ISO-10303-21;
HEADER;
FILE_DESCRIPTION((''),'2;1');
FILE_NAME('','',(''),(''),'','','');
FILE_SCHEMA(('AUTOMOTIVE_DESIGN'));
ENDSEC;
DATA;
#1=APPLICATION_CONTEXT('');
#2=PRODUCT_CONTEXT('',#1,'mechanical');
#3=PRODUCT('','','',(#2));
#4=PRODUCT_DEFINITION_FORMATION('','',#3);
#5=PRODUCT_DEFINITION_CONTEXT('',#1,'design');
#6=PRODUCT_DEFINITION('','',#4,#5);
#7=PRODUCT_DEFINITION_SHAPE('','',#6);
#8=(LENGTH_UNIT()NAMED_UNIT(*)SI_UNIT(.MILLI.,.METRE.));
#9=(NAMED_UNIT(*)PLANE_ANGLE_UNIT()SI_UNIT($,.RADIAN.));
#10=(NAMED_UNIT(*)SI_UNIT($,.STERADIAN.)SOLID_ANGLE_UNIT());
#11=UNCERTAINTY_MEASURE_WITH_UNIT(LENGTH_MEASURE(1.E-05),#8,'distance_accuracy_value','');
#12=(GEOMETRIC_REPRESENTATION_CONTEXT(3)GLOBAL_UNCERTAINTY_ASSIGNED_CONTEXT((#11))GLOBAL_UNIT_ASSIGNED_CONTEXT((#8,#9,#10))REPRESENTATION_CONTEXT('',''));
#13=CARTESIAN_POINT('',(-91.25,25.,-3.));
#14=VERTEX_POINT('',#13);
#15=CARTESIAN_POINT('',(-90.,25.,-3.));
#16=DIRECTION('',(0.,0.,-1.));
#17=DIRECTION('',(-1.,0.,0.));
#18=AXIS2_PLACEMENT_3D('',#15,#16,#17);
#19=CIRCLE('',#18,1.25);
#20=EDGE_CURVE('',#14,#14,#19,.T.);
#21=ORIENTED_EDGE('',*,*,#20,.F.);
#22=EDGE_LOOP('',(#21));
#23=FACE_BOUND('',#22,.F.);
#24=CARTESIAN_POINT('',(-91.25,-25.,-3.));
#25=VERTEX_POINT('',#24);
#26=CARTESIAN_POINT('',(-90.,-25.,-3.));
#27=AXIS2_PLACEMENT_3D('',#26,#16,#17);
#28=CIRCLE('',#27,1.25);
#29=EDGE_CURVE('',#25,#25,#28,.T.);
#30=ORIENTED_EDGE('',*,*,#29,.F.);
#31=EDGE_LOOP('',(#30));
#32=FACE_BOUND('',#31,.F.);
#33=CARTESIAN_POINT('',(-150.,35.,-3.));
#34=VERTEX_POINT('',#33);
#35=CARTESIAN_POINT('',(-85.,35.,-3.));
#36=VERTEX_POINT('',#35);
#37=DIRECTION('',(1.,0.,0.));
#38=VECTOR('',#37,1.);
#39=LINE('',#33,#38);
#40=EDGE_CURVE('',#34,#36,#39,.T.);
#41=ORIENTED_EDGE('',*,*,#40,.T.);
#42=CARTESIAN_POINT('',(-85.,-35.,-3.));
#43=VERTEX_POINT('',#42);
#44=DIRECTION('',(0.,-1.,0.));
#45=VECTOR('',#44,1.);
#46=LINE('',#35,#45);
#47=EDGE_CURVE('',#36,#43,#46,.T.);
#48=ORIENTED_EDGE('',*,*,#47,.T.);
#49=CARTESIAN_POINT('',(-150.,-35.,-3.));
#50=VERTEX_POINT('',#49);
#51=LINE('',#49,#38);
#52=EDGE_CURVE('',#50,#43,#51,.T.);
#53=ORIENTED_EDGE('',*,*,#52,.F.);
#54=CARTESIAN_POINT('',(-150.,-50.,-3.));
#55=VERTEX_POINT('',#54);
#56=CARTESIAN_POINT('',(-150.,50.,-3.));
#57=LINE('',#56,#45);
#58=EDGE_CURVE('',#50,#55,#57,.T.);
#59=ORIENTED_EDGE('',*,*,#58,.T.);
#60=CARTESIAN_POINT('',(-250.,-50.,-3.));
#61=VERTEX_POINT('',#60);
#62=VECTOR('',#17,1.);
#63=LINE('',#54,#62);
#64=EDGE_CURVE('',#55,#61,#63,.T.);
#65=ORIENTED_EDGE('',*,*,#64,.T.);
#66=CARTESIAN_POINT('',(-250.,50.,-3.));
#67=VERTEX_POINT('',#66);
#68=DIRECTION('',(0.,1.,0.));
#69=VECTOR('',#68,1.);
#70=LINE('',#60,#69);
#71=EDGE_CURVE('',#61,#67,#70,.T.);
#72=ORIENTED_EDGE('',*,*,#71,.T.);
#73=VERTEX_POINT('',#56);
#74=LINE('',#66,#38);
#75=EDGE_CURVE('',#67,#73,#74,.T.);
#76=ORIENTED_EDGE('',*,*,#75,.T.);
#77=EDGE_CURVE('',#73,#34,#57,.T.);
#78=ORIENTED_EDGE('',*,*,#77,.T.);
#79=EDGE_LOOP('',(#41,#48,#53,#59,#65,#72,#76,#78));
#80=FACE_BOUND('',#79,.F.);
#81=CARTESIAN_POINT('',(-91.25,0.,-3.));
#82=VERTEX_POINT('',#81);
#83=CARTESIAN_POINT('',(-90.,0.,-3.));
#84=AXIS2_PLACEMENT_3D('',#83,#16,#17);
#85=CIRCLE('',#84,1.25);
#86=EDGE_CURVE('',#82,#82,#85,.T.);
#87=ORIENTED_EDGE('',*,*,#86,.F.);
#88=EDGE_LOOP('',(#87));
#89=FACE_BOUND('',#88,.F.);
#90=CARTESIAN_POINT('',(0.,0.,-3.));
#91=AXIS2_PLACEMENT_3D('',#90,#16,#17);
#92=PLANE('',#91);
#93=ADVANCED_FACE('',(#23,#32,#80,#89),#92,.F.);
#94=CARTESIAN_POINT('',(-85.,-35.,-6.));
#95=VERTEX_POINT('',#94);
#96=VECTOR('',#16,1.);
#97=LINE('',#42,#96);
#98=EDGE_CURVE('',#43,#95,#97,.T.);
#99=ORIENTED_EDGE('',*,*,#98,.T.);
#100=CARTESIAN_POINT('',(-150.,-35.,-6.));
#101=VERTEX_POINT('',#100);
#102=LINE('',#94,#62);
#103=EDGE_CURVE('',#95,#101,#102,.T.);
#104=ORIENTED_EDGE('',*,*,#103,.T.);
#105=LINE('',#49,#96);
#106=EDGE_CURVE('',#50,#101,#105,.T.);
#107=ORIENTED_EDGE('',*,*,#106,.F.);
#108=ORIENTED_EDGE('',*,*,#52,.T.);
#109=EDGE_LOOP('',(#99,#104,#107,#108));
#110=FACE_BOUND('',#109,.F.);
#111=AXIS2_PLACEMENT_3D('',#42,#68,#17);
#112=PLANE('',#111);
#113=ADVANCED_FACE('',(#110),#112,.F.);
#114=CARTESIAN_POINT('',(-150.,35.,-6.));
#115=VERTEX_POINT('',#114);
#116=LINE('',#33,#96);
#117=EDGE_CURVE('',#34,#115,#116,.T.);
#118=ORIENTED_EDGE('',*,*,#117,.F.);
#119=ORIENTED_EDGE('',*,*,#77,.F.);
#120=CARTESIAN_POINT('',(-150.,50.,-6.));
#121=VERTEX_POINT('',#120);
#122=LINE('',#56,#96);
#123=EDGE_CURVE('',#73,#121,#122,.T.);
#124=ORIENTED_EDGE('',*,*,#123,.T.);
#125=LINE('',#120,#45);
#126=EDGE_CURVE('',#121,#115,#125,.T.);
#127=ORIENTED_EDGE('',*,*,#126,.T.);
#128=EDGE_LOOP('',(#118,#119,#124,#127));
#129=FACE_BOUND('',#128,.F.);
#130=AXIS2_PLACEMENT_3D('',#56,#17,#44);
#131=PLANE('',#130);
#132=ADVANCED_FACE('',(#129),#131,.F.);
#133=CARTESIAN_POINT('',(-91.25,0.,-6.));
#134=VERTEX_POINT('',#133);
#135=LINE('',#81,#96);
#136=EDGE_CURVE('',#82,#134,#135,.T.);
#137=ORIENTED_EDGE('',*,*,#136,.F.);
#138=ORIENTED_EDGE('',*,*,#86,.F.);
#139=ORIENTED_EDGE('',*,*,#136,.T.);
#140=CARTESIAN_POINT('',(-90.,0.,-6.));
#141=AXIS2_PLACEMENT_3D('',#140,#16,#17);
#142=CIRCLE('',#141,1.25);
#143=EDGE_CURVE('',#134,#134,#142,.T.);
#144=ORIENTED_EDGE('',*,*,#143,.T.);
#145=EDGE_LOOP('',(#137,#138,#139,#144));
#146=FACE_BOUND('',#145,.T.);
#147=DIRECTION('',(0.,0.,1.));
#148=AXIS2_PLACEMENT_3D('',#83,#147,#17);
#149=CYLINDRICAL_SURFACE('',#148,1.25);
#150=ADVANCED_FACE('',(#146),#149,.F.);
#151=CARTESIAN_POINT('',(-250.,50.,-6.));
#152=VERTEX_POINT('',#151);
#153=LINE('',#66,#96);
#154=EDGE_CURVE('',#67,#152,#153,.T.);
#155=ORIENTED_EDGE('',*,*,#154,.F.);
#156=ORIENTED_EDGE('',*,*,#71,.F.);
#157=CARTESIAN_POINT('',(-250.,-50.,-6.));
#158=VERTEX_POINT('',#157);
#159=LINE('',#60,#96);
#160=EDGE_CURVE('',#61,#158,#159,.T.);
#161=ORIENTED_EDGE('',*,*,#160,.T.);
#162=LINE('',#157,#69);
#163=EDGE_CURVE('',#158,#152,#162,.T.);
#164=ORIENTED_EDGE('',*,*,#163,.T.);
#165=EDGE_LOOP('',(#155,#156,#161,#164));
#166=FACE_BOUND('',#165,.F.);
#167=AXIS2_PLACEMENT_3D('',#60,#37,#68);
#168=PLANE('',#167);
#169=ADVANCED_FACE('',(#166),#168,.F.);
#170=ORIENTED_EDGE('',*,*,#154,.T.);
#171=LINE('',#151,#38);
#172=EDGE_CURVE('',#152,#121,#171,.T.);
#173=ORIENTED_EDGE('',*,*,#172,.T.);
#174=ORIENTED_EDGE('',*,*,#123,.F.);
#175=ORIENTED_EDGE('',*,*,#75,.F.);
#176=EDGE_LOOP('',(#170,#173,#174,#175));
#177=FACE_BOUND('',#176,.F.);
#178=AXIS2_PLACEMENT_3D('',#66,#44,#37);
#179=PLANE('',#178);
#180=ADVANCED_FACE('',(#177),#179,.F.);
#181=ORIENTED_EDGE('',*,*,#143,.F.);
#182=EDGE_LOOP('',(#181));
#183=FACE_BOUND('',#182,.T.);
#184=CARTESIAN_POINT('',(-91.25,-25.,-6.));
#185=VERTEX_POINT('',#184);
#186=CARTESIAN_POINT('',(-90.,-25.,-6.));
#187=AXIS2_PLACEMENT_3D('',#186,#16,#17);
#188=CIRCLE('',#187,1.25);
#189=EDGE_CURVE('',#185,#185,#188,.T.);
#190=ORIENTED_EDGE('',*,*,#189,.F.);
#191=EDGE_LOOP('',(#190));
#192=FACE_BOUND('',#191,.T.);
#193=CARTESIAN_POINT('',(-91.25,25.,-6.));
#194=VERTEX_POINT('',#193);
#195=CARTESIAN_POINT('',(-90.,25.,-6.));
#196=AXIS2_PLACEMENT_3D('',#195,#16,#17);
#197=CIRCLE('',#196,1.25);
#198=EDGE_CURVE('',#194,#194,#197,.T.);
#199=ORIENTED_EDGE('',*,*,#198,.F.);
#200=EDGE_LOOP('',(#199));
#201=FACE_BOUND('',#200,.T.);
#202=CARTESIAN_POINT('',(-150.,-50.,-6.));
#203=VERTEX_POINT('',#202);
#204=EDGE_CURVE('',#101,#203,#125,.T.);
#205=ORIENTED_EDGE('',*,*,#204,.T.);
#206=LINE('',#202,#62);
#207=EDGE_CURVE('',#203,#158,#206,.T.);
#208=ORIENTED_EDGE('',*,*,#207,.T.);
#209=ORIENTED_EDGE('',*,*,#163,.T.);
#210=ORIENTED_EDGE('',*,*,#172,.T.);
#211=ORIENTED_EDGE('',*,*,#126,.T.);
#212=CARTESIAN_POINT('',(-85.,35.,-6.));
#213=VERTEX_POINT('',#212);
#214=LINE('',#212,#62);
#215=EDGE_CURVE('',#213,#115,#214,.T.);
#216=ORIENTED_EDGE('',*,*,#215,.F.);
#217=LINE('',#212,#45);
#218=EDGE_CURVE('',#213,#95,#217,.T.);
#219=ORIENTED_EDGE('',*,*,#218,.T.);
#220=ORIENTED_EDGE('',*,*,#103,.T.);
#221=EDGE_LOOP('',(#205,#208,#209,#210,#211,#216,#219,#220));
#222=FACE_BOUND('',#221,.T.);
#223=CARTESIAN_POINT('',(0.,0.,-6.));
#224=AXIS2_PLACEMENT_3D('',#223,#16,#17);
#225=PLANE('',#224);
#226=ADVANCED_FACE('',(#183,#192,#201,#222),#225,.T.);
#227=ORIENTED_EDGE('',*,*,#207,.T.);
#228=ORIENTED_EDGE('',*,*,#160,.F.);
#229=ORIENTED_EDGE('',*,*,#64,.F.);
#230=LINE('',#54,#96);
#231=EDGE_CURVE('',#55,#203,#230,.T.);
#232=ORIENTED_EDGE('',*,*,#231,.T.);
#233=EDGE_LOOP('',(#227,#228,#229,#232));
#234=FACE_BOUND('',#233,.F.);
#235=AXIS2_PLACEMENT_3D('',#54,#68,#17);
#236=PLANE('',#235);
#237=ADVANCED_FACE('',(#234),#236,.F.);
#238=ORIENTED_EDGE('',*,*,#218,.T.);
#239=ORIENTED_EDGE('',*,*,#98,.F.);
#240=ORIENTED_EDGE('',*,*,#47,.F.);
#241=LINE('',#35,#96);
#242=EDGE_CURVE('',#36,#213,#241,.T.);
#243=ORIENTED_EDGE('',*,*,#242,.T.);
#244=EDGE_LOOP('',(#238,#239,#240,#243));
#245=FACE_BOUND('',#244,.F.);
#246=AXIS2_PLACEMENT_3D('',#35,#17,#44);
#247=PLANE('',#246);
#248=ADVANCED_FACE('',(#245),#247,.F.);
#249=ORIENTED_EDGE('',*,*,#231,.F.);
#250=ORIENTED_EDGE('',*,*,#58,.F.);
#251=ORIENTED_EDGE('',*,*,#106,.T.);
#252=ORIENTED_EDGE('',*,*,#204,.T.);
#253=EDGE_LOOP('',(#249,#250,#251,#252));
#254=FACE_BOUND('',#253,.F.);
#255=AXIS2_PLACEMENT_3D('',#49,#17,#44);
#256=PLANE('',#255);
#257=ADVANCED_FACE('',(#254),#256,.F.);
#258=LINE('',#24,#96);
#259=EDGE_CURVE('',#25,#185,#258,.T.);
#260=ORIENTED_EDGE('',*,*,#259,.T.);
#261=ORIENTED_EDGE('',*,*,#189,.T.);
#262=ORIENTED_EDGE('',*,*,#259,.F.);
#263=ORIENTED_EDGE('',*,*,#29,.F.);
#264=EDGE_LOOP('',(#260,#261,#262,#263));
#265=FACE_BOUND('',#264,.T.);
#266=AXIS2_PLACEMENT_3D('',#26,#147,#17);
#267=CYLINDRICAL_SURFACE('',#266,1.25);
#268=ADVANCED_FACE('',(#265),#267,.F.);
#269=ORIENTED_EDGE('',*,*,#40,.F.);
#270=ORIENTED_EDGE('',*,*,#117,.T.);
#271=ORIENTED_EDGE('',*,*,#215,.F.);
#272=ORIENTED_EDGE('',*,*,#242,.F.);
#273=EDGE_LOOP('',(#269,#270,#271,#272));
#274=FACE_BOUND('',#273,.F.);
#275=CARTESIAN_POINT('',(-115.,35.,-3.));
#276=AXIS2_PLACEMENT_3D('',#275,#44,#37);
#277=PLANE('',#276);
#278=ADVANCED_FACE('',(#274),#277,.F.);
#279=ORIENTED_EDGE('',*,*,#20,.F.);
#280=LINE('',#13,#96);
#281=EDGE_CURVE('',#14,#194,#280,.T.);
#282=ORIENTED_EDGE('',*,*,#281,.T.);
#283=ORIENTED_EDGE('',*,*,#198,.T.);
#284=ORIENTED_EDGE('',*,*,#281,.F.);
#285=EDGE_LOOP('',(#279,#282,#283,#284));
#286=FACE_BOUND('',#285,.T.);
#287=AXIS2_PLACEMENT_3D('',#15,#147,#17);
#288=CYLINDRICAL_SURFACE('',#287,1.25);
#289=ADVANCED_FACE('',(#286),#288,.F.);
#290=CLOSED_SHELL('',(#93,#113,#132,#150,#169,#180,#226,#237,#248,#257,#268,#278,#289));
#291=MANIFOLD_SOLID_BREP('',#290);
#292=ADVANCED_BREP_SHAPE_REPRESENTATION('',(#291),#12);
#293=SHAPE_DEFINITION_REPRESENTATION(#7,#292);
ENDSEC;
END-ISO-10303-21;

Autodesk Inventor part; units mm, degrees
ref_plane "YZ Plane" through (0, 0, 0) normal (1, 0, 0) x (0, 1, 0)
ref_plane "XZ Plane" through (0, 0, 0) normal (0, 1, 0) x (-1, 0, 0)
ref_plane "XY Plane" through (0, 0, 0) normal (0, 0, 1) x (1, 0, 0)
ref_plane "Work Plane1" through (0, 0, -3) normal (0, 0, -1) x (-1, 0, 0)
sketch "Sketch3" plane through (0, 0, -3) normal (0, 0, -1) x (-1, 0, 0)
  circle A0 centre (45, -27) radius 1.5 projected
  circle A1 centre (72, 27) radius 1.5 projected
  circle A2 centre (18, 27) radius 1.5 projected
  circle A3 centre (18, -27) radius 1.5 projected
  circle A4 centre (90, 25) radius 1.25 projected
  circle A5 centre (90, -25) radius 1.25 projected
  circle A6 centre (90, 0) radius 1.25 projected
  circle A7 centre (63, 45) radius 2.5 projected
  circle A8 centre (63, -45) radius 2.5 projected
  circle A9 centre (-63, 45) radius 2.5 projected
  circle A10 centre (-90, 45) radius 2.5 projected
  circle A11 centre (90, -45) radius 2.5 projected
  circle A12 centre (90, 45) radius 2.5 projected
  circle A13 centre (-90, -45) radius 2.5 projected
  circle A14 centre (-63, -45) radius 2.5 projected
  circle A15 centre (-80, -5) radius 1.25 projected
  circle A16 centre (6, -5) radius 1.25 projected
  circle A17 centre (6, 35) radius 1.25 projected
  circle A18 centre (-80, 35) radius 1.25 projected
  circle A19 centre (-37, 35) radius 1.25 projected
  circle A20 centre (6, 15) radius 1.25 projected
  circle A21 centre (-37, -5) radius 1.25 projected
  circle A22 centre (-80, 15) radius 1.25 projected
  line L0 (100, 55) -> (-100, 55) projected
  line L1 (-100, 55) -> (-100, -55) projected
  line L2 (-100, -55) -> (100, -55) projected
  line L3 (100, -55) -> (100, 55) projected
  line L4 (115, 35) -> (85, 35)
  line L5 (85, 35) -> (85, -35)
  line L6 (85, -35) -> (115, -35)
  line L7 (115, -35) -> (115, 35)
  line L8 (115, 35) -> (85, -35) construction
  line L9 (85, 35) -> (115, -35) construction
  line L10 (100, 0) -> (200, 0)
  line L11 (100, 0) -> (200, 0) construction
  line L12 (250, 50) -> (150, 50)
  line L13 (150, 50) -> (150, -50)
  line L14 (150, -50) -> (250, -50)
  line L15 (250, -50) -> (250, 50)
  line L16 (250, 50) -> (150, -50) construction
  line L17 (150, 50) -> (250, -50) construction
  line L18 (185, 35) -> (115, 35)
  line L19 (115, 35) -> (115, -35)
  line L20 (115, -35) -> (185, -35)
  line L21 (185, -35) -> (185, 35)
  line L22 (185, 35) -> (115, -35) construction
  line L23 (115, 35) -> (185, -35) construction
  point P0 (0, 0)
  point P1 (150, 0)
  dimension "d0" = 30
  dimension "d1" = 70
  dimension "d2" = 100
  dimension "d3" = 0
  dimension "d4" = 100
  dimension "d5" = 100
  dimension "d6" = 70
  dimension "d7" = 70
extrude "Extrusion1" add sketch "Sketch3" along normal blind 3 contours L4 L7 L10 L3 | L3 L6 L5 L4 | L10 L7 L6 L3 | L18 L13 L10 L7 | L10 L13 L20 L7 | L18 L21 L10 L13 | L13 L12 L15 L14 L20 L21 L18 | L10 L21 L20 L13
properties part number "apriltag_calibration"
